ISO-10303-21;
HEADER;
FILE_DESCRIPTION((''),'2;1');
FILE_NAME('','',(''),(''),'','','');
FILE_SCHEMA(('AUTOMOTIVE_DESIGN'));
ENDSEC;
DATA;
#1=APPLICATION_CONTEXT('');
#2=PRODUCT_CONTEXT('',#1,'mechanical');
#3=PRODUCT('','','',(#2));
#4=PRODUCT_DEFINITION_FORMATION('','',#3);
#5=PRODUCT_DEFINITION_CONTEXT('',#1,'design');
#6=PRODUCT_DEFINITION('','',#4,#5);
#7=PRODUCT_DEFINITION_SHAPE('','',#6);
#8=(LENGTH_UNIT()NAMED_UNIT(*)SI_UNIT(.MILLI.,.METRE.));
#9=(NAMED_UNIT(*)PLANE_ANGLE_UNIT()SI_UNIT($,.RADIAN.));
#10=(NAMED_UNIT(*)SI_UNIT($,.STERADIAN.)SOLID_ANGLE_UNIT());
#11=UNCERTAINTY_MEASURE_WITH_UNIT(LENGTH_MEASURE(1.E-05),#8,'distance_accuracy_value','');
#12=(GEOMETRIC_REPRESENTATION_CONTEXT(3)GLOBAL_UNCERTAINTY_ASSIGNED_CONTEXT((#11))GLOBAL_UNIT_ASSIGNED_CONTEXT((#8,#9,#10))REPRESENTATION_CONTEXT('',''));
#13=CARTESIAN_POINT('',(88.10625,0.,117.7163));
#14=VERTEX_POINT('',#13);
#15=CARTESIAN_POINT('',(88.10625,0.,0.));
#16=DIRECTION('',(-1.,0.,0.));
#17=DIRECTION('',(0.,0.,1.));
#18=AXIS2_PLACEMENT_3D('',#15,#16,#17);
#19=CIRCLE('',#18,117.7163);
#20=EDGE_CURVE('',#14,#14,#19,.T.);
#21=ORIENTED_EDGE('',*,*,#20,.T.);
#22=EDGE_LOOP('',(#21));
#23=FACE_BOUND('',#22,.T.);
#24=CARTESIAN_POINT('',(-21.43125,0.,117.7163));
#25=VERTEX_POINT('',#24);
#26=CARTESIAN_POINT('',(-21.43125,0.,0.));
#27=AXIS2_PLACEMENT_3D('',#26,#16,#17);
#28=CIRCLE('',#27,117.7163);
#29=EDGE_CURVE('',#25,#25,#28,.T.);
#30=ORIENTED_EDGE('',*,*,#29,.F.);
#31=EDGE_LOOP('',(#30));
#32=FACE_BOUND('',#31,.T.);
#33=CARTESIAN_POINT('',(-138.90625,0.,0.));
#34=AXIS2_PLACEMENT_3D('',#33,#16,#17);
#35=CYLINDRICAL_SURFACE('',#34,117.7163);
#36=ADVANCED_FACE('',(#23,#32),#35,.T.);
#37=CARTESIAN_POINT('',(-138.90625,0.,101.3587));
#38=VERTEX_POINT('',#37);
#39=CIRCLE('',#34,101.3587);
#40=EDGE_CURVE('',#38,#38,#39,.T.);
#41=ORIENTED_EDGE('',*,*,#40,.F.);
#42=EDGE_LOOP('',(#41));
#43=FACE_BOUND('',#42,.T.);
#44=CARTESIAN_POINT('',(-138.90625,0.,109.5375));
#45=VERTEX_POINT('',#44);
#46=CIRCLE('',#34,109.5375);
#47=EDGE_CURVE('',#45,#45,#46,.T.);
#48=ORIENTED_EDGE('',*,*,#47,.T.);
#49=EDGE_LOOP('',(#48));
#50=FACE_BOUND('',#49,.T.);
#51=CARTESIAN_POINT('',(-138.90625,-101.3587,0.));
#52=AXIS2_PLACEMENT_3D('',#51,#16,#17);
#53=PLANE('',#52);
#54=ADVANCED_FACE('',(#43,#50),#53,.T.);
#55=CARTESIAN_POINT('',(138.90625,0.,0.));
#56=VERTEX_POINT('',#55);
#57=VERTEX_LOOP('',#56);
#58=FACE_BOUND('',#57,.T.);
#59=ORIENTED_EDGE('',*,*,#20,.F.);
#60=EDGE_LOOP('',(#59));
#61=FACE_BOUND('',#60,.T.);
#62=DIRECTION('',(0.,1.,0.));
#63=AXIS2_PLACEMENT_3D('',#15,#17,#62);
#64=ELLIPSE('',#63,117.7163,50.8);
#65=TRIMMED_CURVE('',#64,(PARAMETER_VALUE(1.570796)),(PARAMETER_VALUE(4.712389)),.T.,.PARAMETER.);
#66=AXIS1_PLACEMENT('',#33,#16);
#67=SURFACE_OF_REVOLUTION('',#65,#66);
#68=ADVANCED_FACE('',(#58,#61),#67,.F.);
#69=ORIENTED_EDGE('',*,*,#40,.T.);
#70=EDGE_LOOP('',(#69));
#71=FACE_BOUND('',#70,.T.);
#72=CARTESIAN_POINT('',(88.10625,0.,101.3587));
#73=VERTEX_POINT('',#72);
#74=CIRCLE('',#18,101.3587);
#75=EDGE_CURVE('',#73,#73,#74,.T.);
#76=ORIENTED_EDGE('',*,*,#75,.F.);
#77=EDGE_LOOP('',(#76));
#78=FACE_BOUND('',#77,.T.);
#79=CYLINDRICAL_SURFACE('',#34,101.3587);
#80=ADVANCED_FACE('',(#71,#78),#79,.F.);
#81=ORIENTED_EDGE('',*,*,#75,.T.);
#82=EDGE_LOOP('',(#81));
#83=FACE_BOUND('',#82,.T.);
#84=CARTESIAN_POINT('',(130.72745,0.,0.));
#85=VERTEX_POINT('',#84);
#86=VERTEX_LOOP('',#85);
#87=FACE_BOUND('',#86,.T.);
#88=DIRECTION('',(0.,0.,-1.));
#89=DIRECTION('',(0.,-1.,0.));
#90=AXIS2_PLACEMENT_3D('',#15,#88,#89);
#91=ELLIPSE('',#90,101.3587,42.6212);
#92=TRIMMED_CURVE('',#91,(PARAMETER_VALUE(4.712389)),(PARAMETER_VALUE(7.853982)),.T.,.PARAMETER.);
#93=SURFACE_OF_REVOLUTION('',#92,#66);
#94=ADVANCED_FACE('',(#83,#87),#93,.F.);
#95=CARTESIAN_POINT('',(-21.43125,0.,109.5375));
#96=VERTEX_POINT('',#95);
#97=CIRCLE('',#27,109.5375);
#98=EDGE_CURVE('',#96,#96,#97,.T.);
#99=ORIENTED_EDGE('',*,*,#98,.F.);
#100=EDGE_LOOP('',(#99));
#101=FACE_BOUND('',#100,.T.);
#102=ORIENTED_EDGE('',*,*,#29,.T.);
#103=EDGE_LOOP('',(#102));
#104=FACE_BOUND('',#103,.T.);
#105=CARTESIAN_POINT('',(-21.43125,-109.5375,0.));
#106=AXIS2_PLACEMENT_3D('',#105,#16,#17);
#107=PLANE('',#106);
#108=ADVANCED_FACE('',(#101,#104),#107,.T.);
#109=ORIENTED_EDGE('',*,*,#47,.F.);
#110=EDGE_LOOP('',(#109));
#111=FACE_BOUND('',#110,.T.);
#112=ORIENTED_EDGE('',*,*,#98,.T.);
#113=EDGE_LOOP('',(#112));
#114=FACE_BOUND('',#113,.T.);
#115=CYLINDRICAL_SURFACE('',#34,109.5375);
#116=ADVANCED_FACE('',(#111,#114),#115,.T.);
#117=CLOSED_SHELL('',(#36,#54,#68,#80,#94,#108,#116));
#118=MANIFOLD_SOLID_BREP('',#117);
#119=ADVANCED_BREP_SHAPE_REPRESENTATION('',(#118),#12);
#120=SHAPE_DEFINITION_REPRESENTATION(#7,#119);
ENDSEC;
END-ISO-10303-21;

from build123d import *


with BuildPart() as part:
    # Sketch1 → Revolve1 (revolve)
    with BuildSketch(Plane.XY, mode=Mode.PRIVATE) as revolve1_sk:
        with BuildLine():
            Line((-138.90625, -109.5375), (-21.43125, -109.5375))
            Line((-21.43125, -109.5375), (-21.43125, -117.7163))
            Line((-21.43125, -117.7163), (88.10625, -117.7163))
            add(Edge.make_bspline(
                [(88.10625, -117.7163), (138.90625, -117.7163), (138.90625, 0)],
                knots=[3.141592654, 3.141592654, 3.141592654, 4.71238898, 4.71238898, 4.71238898], degree=2, weights=[1, 0.707106781, 1]))
            Line((138.90625, 0), (130.72745, 0))
            add(Edge.make_bspline(
                [(88.10625, -101.3587), (130.72745, -101.3587), (130.72745, 0)],
                knots=[0, 0, 0, 1.570796327, 1.570796327, 1.570796327], degree=2, weights=[1, 0.707106781, 1]))
            Line((88.10625, -101.3587), (-138.90625, -101.3587))
            Line((-138.90625, -101.3587), (-138.90625, -109.5375))
        make_face()
    revolve(revolve1_sk.sketch.rotate(Axis((-138.90625, 0, 0), (1, 0, 0)), 270), axis=Axis((-138.90625, 0, 0), (1, 0, 0)))


solid = part.part
